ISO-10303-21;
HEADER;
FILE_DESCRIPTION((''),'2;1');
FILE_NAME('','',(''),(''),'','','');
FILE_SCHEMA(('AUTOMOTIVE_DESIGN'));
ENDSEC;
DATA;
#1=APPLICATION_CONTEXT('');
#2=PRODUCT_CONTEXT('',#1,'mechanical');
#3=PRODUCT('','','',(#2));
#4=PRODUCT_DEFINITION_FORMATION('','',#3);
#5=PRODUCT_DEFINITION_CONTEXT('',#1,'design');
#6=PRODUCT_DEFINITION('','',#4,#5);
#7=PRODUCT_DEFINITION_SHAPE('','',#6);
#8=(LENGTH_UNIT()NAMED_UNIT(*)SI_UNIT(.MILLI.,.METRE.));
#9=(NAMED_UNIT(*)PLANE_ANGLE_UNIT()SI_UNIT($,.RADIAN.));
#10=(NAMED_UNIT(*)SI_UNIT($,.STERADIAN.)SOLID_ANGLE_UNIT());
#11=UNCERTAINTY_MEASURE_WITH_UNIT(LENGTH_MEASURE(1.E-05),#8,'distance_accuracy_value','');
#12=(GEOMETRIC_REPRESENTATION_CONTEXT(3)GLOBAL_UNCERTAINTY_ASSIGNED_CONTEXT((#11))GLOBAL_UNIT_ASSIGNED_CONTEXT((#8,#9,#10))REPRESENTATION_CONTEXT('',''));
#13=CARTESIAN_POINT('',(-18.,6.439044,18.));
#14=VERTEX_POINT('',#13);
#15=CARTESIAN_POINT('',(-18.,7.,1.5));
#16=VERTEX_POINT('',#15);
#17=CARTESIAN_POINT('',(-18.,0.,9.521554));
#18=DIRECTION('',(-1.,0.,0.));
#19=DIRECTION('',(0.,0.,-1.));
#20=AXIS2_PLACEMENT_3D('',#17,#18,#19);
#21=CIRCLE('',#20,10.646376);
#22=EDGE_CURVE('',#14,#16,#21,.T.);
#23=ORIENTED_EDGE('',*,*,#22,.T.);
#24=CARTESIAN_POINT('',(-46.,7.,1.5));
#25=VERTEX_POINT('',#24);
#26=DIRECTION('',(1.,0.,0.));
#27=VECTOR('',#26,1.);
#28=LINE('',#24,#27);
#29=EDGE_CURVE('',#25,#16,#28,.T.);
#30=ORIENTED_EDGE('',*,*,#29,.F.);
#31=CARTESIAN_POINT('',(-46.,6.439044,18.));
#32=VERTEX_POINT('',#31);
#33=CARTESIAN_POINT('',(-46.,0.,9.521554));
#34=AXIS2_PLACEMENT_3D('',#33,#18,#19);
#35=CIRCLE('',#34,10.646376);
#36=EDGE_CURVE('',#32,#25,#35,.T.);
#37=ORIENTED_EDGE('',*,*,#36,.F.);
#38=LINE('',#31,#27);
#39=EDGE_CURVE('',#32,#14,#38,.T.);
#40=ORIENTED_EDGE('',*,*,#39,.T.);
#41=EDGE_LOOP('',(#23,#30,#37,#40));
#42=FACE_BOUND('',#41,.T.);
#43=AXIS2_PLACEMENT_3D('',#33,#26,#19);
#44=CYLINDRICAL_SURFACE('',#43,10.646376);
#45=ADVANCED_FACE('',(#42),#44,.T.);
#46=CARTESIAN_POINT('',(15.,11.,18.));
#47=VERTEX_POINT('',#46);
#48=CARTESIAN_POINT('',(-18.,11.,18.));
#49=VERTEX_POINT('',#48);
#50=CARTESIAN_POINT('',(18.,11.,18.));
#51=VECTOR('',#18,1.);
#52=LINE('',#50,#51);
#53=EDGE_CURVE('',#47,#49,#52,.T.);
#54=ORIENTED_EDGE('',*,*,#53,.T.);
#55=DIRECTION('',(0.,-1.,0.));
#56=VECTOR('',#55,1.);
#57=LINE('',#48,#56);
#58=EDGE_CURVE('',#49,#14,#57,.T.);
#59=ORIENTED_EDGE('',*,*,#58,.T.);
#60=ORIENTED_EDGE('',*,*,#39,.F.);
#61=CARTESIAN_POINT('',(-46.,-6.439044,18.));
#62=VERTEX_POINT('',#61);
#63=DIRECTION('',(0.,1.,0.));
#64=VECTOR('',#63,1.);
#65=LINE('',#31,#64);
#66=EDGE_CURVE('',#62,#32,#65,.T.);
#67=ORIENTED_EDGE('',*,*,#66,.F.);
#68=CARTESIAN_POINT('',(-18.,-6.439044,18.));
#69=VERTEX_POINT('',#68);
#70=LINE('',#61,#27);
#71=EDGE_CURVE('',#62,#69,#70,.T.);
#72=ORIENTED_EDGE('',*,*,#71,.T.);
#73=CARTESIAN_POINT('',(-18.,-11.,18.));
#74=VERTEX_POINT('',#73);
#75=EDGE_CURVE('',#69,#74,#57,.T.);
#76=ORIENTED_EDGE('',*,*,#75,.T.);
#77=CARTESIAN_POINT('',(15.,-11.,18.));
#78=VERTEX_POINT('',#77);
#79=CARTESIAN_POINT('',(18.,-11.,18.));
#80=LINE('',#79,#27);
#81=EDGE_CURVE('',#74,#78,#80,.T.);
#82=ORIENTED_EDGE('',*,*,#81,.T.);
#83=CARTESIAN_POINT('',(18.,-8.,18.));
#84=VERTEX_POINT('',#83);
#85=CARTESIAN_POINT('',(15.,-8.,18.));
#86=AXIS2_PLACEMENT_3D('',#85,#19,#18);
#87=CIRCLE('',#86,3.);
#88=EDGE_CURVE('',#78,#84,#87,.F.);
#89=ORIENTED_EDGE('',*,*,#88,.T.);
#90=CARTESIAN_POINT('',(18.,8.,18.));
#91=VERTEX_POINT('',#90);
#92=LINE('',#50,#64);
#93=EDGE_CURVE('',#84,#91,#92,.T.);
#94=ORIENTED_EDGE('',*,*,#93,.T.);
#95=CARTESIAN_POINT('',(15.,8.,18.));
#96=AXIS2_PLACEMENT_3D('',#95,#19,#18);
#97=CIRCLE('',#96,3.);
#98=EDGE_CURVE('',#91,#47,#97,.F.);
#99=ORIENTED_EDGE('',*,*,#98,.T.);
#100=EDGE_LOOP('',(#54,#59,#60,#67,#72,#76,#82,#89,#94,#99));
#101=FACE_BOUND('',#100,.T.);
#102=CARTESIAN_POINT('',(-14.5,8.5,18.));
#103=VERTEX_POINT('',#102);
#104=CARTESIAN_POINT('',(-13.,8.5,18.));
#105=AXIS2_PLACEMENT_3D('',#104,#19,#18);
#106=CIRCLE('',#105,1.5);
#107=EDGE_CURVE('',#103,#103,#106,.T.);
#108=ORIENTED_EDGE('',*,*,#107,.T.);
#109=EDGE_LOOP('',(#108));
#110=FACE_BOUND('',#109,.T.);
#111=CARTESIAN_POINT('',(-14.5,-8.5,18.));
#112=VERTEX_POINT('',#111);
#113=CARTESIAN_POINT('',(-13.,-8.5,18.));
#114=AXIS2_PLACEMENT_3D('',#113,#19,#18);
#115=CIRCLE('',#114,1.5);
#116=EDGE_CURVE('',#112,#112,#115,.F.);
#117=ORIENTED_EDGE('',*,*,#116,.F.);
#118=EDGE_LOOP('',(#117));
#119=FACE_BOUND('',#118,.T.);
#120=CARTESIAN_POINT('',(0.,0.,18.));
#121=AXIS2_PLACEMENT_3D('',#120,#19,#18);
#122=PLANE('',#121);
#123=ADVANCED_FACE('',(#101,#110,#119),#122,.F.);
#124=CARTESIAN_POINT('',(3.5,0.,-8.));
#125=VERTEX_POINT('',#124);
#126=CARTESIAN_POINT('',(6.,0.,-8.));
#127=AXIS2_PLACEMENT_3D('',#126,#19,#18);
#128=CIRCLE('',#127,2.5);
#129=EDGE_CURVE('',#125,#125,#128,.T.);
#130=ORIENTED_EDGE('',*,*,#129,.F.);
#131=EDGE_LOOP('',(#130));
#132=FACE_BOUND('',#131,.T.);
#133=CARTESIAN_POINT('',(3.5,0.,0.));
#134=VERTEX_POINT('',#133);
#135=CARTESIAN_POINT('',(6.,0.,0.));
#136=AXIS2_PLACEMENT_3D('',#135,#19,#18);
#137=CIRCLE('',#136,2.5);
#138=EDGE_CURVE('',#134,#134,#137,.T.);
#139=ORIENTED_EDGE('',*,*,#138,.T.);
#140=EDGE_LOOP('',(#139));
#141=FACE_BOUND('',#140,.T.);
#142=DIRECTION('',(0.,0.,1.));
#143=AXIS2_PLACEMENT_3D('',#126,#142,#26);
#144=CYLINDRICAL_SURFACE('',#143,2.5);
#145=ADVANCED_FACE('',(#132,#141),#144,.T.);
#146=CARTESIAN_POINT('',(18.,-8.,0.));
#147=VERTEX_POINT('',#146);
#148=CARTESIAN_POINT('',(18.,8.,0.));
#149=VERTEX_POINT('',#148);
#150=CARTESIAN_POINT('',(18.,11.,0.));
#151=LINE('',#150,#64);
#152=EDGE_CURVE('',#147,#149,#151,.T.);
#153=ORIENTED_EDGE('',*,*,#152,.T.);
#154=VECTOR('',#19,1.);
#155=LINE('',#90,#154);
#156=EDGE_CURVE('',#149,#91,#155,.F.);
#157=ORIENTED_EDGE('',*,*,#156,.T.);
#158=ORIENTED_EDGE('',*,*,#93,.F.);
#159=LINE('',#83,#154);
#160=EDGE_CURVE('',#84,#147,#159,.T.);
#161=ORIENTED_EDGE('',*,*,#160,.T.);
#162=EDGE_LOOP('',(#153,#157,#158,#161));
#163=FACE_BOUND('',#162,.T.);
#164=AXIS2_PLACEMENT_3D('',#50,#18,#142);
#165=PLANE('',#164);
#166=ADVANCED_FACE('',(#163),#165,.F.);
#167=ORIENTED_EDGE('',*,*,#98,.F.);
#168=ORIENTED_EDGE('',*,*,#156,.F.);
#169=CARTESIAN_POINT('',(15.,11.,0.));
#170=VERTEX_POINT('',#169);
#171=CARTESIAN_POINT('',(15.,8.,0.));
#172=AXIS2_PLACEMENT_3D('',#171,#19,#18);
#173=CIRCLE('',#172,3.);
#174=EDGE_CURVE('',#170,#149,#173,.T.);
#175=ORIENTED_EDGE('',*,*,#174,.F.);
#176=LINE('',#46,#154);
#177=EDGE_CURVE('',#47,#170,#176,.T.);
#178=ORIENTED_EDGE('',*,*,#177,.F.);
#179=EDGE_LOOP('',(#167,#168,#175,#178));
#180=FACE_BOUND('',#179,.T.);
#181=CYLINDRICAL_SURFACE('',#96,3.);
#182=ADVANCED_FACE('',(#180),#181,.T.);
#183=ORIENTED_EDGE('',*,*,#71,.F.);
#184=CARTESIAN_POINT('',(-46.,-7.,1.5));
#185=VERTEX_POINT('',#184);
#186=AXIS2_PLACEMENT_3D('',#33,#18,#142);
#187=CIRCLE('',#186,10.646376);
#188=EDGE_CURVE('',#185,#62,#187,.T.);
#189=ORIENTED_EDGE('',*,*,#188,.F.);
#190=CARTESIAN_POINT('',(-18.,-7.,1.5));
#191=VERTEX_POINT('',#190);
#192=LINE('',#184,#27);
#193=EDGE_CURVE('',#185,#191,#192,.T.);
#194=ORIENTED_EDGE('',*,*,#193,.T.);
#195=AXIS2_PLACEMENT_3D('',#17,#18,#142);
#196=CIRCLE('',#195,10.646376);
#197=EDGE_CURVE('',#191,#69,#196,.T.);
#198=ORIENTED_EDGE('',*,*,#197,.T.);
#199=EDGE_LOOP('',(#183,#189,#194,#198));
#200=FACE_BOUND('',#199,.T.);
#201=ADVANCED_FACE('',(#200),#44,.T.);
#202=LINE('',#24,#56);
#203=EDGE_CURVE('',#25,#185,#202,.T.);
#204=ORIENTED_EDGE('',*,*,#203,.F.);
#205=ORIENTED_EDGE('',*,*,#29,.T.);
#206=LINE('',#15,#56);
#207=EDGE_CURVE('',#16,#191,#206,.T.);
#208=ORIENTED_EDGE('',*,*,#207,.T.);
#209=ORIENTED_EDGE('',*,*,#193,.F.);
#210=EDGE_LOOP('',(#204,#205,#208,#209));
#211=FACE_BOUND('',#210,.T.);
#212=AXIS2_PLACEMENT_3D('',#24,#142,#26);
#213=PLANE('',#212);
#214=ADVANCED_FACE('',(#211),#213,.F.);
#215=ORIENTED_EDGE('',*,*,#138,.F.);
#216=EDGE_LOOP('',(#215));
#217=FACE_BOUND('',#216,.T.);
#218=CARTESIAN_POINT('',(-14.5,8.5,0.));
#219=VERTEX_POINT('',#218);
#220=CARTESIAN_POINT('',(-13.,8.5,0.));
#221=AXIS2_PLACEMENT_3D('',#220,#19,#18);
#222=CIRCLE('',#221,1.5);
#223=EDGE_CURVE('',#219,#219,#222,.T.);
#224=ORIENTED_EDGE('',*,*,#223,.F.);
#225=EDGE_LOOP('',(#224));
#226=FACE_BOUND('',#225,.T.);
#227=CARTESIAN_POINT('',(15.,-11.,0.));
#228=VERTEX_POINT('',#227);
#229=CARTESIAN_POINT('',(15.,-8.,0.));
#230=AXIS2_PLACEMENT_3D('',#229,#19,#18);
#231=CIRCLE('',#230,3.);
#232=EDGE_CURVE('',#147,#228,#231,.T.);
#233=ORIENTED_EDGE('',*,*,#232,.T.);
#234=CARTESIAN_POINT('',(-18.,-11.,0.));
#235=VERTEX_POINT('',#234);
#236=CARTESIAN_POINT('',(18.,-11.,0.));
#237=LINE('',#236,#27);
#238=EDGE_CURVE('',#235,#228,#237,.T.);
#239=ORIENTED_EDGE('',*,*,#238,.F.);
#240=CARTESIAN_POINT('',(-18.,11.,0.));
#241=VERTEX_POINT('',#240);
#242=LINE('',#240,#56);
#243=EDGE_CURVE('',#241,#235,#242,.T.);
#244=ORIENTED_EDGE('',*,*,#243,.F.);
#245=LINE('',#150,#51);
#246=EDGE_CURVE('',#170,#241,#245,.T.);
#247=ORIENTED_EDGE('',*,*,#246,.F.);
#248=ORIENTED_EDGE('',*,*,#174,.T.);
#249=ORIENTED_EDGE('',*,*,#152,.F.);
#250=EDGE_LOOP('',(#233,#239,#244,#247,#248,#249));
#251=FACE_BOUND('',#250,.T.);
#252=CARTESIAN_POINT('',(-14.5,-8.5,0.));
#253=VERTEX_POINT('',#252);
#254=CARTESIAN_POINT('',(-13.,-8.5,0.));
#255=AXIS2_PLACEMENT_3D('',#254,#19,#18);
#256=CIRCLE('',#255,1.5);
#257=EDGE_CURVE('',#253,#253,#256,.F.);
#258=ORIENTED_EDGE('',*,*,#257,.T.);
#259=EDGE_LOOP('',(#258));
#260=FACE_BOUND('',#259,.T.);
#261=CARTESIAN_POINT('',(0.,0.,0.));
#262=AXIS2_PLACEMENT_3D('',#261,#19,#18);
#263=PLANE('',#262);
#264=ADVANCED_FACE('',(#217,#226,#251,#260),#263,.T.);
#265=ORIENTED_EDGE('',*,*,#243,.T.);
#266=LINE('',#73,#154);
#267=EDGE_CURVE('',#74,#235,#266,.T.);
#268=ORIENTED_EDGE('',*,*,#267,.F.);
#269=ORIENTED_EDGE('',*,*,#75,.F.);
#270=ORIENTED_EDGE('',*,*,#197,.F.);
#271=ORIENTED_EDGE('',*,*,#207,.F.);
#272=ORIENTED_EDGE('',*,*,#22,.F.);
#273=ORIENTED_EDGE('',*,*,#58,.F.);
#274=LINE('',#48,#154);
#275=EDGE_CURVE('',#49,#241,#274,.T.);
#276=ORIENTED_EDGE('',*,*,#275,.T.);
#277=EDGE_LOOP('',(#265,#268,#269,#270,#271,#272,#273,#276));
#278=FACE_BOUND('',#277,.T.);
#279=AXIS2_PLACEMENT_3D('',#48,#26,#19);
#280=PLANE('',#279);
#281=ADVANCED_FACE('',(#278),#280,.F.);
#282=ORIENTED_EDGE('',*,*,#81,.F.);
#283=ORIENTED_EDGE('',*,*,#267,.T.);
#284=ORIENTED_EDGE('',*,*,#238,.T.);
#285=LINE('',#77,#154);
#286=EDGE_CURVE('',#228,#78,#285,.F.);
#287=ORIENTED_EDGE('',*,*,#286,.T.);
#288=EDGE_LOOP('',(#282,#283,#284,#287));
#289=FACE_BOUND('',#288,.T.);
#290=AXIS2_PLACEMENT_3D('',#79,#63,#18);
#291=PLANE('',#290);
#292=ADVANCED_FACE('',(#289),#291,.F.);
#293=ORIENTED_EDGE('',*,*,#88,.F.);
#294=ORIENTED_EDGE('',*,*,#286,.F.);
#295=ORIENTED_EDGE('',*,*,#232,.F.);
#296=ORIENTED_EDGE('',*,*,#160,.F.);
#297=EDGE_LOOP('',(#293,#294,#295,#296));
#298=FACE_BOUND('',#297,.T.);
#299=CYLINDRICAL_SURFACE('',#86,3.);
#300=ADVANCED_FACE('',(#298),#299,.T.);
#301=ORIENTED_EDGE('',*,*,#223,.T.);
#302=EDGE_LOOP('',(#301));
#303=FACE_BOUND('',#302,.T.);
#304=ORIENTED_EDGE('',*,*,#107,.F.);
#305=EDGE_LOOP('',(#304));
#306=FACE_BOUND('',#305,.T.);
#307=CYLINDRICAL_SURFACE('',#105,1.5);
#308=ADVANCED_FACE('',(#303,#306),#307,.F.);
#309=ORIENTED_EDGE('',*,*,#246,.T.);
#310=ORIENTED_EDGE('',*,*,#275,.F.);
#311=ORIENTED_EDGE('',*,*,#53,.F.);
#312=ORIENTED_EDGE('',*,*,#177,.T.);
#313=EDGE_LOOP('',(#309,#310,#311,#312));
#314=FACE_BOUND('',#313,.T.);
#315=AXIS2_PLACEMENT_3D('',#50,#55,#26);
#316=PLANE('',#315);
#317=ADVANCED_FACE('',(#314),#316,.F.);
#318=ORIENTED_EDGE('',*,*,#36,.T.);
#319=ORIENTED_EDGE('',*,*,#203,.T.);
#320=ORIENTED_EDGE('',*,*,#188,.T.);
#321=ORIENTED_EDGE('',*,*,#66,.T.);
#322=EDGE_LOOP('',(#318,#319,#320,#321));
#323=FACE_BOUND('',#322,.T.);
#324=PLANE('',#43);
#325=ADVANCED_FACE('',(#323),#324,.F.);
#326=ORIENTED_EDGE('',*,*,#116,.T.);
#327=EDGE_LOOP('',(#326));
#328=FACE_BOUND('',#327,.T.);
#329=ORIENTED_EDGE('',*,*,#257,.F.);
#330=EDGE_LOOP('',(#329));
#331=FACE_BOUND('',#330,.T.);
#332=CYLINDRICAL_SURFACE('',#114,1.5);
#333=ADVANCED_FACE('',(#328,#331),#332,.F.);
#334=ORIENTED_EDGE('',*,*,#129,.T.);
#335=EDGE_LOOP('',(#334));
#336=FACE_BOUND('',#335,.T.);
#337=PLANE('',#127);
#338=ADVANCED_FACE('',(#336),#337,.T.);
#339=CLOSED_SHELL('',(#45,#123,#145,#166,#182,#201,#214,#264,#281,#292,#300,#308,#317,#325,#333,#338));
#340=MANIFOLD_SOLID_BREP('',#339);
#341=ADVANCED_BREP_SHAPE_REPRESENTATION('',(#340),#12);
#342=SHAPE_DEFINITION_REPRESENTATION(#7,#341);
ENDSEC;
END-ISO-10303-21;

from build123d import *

# Parameters (mm, degrees)
SCHIZZO1_W                   = 36
SCHIZZO1_H                   = 22
ESTRUSIONE_ESTRUSIONE1_DEPTH = 18
RACCORDO1_R                  = 3
ESTRUSIONE_ESTRUSIONE2_DEPTH = 28
SCHIZZO3_R                   = 2.5
ESTRUSIONE_ESTRUSIONE3_DEPTH = 8
SCHIZZO3_4_R                 = 1.5
TAGLIO_ESTRUSIONE1_DEPTH     = 19


with BuildPart() as part:
    # Schizzo1 → Estrusione-Estrusione1 (new body)
    with BuildSketch(Plane.XY):
        Rectangle(SCHIZZO1_W, SCHIZZO1_H)
    extrude(amount=ESTRUSIONE_ESTRUSIONE1_DEPTH)

    # Raccordo1
    raccordo1_edges = [part.edges().sort_by_distance(p)[0] for p in [
        (18, 11, 9),
        (18, -11, 9),
    ]]
    fillet(raccordo1_edges, radius=RACCORDO1_R)

    # Schizzo2 → Estrusione-Estrusione2 (add)
    with BuildSketch(Plane.ZY.offset(18)):
        with BuildLine():
            Line((1.5, 7), (1.5, -7))
            ThreePointArc((1.5, -7), (9.883293707, -10.640228974), (18, -6.439043509))
            Line((18, -6.439043509), (18, 6.439043509))
            ThreePointArc((18, 6.439043509), (9.883293707, 10.640228974), (1.5, 7))
        make_face()
    extrude(amount=ESTRUSIONE_ESTRUSIONE2_DEPTH)

    # Schizzo3 → Estrusione-Estrusione3 (add)
    with BuildSketch(Plane(origin=(0, 0, 0), x_dir=(-1, 0, 0), z_dir=(0, 0, -1))):
        with Locations((-6, 0)):
            Circle(SCHIZZO3_R)
    extrude(amount=ESTRUSIONE_ESTRUSIONE3_DEPTH)

    # Schizzo3<4> → Taglio-Estrusione1 (cut, through all)
    with BuildSketch(Plane(origin=(0, 0, 0), x_dir=(-1, 0, 0), z_dir=(0, 0, -1))):
        with Locations((13, 8.5)):
            Circle(SCHIZZO3_4_R)
        with Locations((13, -8.5)):
            Circle(SCHIZZO3_4_R)
    extrude(amount=-TAGLIO_ESTRUSIONE1_DEPTH, mode=Mode.SUBTRACT)


solid = part.part
